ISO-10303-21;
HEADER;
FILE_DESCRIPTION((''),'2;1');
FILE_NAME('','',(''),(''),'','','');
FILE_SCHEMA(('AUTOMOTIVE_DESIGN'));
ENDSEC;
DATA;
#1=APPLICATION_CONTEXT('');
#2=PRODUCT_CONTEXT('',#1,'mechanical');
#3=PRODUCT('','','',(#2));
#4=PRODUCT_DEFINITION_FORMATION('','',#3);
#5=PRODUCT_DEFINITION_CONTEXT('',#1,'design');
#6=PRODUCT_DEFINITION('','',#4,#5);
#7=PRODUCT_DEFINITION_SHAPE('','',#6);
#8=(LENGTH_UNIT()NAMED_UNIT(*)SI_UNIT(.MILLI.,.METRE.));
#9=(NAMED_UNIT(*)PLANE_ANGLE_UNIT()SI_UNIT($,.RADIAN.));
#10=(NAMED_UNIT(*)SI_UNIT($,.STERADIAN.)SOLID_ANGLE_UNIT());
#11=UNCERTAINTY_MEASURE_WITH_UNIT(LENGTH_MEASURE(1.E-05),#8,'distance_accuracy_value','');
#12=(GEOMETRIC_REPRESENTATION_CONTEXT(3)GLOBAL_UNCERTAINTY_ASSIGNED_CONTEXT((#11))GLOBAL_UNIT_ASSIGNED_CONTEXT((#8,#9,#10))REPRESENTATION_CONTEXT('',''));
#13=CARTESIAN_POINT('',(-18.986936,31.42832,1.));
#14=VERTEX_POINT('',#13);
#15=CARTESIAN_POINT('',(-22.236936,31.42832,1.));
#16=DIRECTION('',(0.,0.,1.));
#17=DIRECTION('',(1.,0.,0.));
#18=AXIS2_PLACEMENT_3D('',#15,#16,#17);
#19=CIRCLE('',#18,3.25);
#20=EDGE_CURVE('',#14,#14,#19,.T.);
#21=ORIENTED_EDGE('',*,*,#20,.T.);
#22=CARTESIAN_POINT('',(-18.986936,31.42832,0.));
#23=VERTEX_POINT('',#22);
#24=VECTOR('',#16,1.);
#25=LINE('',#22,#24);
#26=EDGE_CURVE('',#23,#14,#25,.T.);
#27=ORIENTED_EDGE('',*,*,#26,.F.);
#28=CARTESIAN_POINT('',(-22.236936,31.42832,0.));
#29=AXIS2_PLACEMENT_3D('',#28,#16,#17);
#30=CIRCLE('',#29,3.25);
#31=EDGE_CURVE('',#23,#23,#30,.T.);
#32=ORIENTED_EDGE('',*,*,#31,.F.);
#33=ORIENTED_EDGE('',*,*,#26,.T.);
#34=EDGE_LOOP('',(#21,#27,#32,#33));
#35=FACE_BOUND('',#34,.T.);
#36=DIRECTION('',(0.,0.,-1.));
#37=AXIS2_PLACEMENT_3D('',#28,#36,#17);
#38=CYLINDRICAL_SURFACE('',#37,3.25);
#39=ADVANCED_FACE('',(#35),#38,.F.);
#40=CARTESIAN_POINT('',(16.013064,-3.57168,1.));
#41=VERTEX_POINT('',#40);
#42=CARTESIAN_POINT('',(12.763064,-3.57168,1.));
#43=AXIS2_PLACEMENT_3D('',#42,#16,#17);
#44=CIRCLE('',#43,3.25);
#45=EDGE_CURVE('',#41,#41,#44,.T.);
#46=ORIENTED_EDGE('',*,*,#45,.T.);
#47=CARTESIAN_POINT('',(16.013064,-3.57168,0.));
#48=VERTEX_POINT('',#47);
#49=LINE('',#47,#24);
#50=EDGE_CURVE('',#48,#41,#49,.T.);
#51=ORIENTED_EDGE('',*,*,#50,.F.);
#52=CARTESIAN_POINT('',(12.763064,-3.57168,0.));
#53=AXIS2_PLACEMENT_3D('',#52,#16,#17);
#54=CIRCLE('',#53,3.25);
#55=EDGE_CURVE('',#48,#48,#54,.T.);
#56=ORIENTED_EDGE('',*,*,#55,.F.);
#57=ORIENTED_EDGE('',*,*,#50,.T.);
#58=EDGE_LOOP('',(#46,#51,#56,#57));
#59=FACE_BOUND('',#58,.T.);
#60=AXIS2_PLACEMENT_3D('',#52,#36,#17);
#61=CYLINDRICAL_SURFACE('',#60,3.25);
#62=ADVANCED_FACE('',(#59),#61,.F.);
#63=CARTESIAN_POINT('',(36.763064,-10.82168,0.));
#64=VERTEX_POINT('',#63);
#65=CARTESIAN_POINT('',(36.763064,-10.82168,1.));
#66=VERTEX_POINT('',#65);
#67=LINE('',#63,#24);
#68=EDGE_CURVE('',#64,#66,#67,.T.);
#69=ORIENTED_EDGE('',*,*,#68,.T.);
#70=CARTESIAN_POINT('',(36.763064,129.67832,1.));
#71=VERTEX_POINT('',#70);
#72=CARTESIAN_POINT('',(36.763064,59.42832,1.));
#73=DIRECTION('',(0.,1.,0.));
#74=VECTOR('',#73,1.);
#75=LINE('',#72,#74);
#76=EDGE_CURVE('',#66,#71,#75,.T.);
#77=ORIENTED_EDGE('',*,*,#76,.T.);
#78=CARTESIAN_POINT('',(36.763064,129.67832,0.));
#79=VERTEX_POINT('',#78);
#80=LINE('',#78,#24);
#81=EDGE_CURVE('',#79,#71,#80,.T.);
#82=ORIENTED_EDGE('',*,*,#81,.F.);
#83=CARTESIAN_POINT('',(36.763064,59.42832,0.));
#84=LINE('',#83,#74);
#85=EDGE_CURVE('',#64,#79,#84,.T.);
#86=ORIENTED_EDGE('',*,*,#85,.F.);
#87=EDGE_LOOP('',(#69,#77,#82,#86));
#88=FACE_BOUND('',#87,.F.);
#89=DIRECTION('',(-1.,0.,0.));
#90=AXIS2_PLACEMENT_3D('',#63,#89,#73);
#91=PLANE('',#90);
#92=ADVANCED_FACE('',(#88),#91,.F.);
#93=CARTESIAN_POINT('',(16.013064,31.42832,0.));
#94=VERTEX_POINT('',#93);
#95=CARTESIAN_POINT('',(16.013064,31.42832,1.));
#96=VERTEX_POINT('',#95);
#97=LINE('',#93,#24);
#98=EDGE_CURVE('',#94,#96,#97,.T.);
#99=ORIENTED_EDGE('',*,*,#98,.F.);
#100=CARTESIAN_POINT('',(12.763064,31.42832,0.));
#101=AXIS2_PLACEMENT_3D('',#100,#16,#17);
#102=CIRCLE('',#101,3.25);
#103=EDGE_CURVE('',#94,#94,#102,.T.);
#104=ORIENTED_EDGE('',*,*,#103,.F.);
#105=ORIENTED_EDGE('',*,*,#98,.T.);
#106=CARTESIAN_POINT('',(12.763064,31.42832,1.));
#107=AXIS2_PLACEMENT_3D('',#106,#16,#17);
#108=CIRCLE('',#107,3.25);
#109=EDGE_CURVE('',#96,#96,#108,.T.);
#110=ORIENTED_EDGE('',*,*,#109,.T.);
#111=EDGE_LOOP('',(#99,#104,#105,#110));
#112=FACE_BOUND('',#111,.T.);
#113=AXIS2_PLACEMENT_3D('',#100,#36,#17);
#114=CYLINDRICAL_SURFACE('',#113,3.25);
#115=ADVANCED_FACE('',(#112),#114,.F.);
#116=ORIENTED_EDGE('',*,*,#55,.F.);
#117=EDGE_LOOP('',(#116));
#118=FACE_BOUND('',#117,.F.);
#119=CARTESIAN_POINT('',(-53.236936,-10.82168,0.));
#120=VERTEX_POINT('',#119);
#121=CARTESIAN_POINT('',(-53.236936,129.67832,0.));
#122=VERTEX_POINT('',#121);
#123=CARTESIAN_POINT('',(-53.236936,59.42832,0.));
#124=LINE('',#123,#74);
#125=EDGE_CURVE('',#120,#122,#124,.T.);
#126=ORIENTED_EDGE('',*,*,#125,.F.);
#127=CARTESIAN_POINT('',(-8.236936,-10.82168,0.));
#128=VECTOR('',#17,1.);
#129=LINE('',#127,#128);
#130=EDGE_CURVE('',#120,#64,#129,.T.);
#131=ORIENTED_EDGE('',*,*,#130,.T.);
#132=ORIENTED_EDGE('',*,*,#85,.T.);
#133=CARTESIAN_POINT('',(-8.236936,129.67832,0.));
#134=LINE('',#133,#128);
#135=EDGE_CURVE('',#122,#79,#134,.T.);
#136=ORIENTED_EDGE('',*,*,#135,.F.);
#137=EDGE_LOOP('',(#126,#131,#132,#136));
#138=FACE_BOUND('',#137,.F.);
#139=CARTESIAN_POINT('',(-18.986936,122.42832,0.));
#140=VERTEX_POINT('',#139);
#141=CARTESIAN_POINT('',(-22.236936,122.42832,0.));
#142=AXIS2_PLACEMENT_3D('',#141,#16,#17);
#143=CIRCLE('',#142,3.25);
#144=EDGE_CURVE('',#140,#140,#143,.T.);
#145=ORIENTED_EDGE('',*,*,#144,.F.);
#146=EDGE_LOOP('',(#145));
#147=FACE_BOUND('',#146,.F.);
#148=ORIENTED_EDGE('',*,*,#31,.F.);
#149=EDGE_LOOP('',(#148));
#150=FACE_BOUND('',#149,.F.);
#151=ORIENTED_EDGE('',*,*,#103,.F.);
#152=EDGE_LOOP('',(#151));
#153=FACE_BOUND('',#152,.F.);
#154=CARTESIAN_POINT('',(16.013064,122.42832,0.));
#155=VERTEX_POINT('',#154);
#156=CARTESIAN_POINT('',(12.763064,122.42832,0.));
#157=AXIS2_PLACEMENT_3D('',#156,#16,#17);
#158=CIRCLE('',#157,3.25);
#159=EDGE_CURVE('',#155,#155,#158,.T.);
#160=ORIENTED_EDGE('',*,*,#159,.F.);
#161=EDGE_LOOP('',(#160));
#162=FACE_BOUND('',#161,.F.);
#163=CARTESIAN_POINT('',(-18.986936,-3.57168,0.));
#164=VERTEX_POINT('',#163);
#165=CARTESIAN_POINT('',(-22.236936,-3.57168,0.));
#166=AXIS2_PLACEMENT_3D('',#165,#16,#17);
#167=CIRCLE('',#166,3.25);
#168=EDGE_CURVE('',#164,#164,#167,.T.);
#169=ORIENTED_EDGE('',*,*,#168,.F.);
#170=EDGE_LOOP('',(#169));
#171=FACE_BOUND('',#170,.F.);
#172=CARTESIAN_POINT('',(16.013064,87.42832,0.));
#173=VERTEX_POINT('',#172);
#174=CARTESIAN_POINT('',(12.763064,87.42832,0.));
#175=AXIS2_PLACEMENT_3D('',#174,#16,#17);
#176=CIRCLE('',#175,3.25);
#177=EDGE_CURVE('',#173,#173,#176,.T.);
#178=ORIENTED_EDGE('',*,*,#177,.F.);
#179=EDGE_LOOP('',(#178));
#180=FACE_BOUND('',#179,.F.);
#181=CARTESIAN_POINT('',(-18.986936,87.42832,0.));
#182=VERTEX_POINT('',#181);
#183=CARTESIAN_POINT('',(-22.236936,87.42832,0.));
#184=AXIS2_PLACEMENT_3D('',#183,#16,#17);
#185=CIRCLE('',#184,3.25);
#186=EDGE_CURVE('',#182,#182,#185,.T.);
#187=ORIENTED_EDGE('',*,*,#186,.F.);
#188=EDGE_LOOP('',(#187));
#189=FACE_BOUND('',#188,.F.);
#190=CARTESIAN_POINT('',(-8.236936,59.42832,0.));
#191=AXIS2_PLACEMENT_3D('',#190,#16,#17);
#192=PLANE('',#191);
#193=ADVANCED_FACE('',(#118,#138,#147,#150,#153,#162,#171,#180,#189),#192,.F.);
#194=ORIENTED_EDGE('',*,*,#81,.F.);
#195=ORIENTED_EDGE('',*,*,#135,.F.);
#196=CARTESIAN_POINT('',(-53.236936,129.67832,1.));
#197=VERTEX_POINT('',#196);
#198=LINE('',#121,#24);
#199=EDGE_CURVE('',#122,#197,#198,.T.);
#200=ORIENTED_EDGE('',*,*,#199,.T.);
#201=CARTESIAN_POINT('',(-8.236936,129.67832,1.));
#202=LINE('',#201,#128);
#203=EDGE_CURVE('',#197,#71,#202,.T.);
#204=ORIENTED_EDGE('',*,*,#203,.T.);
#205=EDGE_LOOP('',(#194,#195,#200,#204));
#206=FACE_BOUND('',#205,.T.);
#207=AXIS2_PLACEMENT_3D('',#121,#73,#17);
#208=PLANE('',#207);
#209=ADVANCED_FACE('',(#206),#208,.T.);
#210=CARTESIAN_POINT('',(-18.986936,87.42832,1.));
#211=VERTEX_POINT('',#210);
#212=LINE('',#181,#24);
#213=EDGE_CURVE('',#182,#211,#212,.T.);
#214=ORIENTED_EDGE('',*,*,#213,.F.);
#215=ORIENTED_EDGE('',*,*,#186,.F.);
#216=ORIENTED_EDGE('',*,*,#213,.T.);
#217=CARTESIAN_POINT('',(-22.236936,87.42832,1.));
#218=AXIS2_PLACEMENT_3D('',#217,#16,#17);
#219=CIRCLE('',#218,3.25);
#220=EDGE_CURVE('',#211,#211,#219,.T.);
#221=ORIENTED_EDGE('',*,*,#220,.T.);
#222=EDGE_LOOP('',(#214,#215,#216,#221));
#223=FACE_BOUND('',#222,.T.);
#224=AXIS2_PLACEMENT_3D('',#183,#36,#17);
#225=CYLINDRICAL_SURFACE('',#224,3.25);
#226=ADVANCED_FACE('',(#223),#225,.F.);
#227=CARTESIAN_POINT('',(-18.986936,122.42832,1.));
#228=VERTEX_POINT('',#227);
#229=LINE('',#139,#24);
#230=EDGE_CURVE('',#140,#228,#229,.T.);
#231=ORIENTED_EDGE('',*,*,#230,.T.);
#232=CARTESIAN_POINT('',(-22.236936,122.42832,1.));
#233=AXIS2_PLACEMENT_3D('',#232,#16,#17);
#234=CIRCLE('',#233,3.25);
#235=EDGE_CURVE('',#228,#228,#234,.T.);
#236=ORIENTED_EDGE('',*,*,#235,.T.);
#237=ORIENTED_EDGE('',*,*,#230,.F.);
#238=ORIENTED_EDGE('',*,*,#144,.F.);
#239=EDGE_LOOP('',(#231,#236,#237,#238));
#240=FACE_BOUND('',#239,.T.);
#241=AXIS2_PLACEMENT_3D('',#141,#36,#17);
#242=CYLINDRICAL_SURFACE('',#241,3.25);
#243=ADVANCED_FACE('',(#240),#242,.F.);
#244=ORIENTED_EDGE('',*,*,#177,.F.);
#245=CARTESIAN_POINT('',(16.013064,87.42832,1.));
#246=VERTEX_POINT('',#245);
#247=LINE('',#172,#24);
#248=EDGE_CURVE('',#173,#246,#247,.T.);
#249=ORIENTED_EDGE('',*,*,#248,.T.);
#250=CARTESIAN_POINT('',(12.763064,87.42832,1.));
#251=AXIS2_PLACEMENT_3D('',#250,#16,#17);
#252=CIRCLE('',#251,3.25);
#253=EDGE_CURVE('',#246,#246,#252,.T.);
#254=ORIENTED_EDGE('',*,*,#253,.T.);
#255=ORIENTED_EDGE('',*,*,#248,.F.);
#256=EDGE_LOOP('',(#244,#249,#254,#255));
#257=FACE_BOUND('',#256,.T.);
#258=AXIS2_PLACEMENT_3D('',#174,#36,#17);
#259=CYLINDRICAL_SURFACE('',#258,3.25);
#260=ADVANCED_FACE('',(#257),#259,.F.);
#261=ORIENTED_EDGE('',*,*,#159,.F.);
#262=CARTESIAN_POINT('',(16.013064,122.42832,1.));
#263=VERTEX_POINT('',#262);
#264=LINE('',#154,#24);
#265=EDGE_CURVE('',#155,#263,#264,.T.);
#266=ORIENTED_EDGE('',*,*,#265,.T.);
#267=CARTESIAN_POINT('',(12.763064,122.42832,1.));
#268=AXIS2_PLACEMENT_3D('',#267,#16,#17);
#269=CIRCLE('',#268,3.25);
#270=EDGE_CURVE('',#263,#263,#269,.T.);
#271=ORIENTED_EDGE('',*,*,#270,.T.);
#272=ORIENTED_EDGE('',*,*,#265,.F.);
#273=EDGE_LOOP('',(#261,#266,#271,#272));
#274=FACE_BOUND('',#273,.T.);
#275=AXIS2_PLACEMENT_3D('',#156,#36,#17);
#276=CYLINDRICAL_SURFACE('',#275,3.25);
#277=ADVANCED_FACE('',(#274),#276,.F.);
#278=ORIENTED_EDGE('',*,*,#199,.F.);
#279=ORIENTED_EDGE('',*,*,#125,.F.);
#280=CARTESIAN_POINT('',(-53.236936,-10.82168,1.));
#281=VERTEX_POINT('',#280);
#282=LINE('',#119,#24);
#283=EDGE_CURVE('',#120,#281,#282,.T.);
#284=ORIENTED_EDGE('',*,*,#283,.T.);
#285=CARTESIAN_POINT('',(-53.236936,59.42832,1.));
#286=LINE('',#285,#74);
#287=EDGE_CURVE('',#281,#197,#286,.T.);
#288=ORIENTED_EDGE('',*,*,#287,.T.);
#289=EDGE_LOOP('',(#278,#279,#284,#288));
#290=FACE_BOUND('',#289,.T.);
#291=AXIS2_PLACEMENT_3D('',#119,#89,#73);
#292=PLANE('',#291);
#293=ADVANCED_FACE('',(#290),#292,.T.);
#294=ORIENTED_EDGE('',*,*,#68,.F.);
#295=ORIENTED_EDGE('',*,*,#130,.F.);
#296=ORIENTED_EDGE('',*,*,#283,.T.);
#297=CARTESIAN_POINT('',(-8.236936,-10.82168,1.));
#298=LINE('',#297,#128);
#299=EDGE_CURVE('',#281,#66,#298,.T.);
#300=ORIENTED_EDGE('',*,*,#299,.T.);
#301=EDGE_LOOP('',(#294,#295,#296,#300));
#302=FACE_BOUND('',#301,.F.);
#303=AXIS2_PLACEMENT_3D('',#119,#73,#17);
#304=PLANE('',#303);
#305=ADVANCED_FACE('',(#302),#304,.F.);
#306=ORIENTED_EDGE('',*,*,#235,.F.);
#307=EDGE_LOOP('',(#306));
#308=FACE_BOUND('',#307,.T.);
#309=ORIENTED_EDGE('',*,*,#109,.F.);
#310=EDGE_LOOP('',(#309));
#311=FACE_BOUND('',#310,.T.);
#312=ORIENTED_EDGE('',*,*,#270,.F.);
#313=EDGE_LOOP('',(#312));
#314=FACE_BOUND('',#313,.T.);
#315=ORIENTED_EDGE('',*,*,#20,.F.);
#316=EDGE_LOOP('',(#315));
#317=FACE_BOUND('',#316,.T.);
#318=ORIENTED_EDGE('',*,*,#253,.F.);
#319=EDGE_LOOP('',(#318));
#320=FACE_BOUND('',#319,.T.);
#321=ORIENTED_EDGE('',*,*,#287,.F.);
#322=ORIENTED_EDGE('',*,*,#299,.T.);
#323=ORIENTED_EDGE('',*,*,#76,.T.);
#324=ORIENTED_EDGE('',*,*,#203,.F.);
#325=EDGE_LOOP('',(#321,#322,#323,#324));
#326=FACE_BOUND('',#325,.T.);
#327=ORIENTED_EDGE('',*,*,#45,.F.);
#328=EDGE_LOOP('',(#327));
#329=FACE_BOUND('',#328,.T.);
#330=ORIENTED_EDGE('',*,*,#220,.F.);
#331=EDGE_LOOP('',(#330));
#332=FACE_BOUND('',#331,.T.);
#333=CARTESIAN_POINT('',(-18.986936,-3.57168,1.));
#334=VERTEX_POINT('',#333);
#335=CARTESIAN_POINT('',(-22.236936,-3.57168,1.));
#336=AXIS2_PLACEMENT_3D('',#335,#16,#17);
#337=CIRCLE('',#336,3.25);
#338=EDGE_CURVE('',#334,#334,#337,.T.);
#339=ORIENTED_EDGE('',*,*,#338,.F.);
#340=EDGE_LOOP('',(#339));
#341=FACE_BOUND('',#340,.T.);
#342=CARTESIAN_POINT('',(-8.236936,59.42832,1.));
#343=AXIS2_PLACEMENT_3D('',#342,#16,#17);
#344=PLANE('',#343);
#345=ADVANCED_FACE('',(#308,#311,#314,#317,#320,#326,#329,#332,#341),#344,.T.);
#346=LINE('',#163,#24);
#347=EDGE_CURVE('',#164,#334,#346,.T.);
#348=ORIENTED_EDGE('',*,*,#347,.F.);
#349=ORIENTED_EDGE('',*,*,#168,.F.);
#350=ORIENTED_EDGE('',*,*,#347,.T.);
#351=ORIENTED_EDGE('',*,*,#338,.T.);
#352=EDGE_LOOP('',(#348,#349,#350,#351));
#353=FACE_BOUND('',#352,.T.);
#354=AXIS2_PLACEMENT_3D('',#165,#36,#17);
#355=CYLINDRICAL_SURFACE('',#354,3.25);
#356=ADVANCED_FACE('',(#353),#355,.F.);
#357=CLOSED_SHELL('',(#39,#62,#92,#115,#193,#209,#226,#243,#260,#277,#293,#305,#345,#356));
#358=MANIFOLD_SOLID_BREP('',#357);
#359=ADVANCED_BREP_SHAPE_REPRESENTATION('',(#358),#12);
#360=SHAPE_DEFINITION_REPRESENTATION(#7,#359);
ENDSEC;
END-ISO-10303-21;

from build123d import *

# Parameters (mm, degrees)
F0_W     = 90
F0_H     = 140.5
F0_R     = 3.25
F1_DEPTH = 1


with BuildPart() as f1:
    # F0 (on Top) → F1 (new body)
    with BuildSketch(Plane.XY):
        with Locations((-8.236936, 59.42832)):
            Rectangle(F0_W, F0_H)
        with Locations((-22.236936, -3.57168)):
            Circle(F0_R, mode=Mode.SUBTRACT)
        with Locations((-22.236936, 31.42832)):
            Circle(F0_R, mode=Mode.SUBTRACT)
        with Locations((12.763064, -3.57168)):
            Circle(F0_R, mode=Mode.SUBTRACT)
        with Locations((12.763064, 31.42832)):
            Circle(F0_R, mode=Mode.SUBTRACT)
        with Locations((-22.236936, 87.42832)):
            Circle(F0_R, mode=Mode.SUBTRACT)
        with Locations((-22.236936, 122.42832)):
            Circle(F0_R, mode=Mode.SUBTRACT)
        with Locations((12.763064, 87.42832)):
            Circle(F0_R, mode=Mode.SUBTRACT)
        with Locations((12.763064, 122.42832)):
            Circle(F0_R, mode=Mode.SUBTRACT)
    extrude(amount=F1_DEPTH)


solid = f1.part
